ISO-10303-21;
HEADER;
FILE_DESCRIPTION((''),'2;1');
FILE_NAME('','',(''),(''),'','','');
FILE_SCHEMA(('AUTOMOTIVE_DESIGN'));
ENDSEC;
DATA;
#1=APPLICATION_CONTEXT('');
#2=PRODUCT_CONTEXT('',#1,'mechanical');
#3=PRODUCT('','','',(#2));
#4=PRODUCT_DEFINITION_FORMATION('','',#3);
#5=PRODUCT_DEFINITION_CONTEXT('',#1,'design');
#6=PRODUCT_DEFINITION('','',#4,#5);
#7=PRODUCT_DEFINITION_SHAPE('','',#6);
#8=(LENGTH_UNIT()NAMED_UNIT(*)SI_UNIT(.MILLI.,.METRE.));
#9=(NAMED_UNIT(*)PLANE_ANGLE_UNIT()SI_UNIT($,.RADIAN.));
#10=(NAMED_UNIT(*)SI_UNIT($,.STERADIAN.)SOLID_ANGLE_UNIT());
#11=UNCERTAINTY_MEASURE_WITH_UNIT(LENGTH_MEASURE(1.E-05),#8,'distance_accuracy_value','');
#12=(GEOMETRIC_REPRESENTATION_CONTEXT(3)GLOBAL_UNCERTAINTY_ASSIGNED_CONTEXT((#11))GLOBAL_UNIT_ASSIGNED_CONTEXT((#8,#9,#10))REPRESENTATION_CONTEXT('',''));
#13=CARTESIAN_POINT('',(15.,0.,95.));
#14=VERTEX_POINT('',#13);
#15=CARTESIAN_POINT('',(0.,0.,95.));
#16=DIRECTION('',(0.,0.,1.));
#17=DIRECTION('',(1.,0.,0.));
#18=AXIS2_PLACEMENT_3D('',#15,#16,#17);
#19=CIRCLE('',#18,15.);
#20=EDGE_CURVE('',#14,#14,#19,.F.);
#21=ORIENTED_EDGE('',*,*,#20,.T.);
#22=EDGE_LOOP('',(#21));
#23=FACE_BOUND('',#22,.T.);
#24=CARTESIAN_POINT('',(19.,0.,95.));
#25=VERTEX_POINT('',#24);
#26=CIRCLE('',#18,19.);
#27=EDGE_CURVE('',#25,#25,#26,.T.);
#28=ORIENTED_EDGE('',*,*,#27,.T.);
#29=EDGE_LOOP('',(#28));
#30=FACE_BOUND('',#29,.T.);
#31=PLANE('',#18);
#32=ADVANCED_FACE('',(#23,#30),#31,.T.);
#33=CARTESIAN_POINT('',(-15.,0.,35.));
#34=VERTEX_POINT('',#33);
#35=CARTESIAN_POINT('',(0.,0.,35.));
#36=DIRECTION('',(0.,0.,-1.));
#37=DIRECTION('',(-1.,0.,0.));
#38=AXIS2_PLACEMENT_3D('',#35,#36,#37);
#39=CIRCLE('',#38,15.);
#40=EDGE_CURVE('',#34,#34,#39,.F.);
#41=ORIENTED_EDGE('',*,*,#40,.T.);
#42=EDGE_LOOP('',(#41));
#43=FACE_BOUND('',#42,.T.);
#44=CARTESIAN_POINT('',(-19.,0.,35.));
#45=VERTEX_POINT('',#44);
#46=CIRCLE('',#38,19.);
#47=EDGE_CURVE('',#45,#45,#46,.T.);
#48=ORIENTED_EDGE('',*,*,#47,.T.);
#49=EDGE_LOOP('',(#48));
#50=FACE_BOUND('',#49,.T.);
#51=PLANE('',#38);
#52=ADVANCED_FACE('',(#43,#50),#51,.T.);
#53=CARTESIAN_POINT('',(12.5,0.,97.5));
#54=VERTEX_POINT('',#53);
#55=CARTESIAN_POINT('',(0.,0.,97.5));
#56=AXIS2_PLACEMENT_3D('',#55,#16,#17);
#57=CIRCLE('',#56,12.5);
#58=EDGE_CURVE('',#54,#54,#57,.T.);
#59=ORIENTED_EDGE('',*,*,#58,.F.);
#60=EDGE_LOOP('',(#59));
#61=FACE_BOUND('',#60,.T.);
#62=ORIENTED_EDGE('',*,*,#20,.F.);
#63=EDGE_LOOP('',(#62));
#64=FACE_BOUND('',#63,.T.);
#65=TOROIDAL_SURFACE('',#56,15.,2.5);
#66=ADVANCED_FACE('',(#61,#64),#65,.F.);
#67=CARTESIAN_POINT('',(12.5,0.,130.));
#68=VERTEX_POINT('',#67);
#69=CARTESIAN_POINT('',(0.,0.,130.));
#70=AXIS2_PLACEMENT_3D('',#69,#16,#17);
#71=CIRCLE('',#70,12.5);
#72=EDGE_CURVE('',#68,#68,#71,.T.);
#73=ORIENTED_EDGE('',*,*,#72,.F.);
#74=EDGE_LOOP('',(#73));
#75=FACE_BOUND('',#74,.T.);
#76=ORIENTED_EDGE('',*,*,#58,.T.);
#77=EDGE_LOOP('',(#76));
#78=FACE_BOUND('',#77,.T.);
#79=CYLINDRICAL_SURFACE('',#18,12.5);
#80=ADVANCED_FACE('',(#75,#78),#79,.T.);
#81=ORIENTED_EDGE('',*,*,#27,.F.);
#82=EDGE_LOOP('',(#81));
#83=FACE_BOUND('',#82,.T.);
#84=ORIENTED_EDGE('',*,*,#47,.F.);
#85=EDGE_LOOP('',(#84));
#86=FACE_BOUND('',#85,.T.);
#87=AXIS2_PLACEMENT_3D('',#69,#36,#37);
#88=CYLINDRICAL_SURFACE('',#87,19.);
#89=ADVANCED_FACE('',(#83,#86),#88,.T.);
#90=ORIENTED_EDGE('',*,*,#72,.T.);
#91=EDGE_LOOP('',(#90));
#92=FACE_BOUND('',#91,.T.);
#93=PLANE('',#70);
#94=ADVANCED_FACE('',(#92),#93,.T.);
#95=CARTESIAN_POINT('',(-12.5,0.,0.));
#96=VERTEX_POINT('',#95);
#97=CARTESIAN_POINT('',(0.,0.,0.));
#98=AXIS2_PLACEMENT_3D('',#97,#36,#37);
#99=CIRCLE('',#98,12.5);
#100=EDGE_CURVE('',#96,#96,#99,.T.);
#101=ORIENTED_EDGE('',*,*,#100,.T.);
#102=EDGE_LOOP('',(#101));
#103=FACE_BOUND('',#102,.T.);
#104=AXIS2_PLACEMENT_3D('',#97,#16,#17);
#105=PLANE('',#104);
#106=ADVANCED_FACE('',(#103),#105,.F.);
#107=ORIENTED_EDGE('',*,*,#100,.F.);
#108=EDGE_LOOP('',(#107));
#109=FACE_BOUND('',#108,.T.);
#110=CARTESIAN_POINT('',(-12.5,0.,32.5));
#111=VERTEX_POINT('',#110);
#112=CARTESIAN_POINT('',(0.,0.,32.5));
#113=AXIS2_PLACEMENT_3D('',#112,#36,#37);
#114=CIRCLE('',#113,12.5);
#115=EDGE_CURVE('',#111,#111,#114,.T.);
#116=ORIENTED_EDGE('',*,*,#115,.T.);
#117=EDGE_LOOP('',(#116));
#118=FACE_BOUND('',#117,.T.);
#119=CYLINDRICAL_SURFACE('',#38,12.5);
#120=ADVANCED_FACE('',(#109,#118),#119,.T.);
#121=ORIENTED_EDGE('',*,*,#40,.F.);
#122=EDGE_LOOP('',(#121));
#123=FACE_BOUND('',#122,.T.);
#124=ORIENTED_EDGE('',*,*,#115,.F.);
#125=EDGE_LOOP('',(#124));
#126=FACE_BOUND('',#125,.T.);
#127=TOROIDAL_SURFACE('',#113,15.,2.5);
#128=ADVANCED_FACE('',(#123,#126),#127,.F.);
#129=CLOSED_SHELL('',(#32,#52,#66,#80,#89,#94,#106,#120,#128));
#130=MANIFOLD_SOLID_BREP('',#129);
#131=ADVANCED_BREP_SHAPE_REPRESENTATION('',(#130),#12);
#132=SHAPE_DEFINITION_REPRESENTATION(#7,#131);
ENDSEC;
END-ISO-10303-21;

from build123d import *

# Parameters (mm, degrees)
SKETCH1_R           = 19
BOSS_EXTRUDE1_DEPTH = 130
SKETCH2_R           = 19
SKETCH2_R_2         = 12.5
CUT_EXTRUDE2_DEPTH  = 35
SKETCH3_R           = 19
SKETCH3_R_2         = 12.5
CUT_EXTRUDE3_DEPTH  = 35
FILLET1_R           = 2.5


with BuildPart() as part:
    # Sketch1 → Boss-Extrude1 (new body)
    with BuildSketch(Plane.XY):
        Circle(SKETCH1_R)
    extrude(amount=BOSS_EXTRUDE1_DEPTH)

    # Sketch2 → Cut-Extrude2 (cut)
    with BuildSketch(Plane.XY.offset(130)):
        Circle(SKETCH2_R)
        Circle(SKETCH2_R_2, mode=Mode.SUBTRACT)
    extrude(amount=-CUT_EXTRUDE2_DEPTH, mode=Mode.SUBTRACT)

    # Sketch3 → Cut-Extrude3 (cut)
    with BuildSketch(Plane(origin=(0, 0, 0), x_dir=(-1, 0, 0), z_dir=(0, 0, -1))):
        Circle(SKETCH3_R)
        Circle(SKETCH3_R_2, mode=Mode.SUBTRACT)
    extrude(amount=-CUT_EXTRUDE3_DEPTH, mode=Mode.SUBTRACT)

    # Fillet1
    fillet1_edges = [part.edges().sort_by_distance(p)[0] for p in [
        (12.5, 0, 35),
        (-12.5, 0, 95),
    ]]
    fillet(fillet1_edges, radius=FILLET1_R)


solid = part.part
